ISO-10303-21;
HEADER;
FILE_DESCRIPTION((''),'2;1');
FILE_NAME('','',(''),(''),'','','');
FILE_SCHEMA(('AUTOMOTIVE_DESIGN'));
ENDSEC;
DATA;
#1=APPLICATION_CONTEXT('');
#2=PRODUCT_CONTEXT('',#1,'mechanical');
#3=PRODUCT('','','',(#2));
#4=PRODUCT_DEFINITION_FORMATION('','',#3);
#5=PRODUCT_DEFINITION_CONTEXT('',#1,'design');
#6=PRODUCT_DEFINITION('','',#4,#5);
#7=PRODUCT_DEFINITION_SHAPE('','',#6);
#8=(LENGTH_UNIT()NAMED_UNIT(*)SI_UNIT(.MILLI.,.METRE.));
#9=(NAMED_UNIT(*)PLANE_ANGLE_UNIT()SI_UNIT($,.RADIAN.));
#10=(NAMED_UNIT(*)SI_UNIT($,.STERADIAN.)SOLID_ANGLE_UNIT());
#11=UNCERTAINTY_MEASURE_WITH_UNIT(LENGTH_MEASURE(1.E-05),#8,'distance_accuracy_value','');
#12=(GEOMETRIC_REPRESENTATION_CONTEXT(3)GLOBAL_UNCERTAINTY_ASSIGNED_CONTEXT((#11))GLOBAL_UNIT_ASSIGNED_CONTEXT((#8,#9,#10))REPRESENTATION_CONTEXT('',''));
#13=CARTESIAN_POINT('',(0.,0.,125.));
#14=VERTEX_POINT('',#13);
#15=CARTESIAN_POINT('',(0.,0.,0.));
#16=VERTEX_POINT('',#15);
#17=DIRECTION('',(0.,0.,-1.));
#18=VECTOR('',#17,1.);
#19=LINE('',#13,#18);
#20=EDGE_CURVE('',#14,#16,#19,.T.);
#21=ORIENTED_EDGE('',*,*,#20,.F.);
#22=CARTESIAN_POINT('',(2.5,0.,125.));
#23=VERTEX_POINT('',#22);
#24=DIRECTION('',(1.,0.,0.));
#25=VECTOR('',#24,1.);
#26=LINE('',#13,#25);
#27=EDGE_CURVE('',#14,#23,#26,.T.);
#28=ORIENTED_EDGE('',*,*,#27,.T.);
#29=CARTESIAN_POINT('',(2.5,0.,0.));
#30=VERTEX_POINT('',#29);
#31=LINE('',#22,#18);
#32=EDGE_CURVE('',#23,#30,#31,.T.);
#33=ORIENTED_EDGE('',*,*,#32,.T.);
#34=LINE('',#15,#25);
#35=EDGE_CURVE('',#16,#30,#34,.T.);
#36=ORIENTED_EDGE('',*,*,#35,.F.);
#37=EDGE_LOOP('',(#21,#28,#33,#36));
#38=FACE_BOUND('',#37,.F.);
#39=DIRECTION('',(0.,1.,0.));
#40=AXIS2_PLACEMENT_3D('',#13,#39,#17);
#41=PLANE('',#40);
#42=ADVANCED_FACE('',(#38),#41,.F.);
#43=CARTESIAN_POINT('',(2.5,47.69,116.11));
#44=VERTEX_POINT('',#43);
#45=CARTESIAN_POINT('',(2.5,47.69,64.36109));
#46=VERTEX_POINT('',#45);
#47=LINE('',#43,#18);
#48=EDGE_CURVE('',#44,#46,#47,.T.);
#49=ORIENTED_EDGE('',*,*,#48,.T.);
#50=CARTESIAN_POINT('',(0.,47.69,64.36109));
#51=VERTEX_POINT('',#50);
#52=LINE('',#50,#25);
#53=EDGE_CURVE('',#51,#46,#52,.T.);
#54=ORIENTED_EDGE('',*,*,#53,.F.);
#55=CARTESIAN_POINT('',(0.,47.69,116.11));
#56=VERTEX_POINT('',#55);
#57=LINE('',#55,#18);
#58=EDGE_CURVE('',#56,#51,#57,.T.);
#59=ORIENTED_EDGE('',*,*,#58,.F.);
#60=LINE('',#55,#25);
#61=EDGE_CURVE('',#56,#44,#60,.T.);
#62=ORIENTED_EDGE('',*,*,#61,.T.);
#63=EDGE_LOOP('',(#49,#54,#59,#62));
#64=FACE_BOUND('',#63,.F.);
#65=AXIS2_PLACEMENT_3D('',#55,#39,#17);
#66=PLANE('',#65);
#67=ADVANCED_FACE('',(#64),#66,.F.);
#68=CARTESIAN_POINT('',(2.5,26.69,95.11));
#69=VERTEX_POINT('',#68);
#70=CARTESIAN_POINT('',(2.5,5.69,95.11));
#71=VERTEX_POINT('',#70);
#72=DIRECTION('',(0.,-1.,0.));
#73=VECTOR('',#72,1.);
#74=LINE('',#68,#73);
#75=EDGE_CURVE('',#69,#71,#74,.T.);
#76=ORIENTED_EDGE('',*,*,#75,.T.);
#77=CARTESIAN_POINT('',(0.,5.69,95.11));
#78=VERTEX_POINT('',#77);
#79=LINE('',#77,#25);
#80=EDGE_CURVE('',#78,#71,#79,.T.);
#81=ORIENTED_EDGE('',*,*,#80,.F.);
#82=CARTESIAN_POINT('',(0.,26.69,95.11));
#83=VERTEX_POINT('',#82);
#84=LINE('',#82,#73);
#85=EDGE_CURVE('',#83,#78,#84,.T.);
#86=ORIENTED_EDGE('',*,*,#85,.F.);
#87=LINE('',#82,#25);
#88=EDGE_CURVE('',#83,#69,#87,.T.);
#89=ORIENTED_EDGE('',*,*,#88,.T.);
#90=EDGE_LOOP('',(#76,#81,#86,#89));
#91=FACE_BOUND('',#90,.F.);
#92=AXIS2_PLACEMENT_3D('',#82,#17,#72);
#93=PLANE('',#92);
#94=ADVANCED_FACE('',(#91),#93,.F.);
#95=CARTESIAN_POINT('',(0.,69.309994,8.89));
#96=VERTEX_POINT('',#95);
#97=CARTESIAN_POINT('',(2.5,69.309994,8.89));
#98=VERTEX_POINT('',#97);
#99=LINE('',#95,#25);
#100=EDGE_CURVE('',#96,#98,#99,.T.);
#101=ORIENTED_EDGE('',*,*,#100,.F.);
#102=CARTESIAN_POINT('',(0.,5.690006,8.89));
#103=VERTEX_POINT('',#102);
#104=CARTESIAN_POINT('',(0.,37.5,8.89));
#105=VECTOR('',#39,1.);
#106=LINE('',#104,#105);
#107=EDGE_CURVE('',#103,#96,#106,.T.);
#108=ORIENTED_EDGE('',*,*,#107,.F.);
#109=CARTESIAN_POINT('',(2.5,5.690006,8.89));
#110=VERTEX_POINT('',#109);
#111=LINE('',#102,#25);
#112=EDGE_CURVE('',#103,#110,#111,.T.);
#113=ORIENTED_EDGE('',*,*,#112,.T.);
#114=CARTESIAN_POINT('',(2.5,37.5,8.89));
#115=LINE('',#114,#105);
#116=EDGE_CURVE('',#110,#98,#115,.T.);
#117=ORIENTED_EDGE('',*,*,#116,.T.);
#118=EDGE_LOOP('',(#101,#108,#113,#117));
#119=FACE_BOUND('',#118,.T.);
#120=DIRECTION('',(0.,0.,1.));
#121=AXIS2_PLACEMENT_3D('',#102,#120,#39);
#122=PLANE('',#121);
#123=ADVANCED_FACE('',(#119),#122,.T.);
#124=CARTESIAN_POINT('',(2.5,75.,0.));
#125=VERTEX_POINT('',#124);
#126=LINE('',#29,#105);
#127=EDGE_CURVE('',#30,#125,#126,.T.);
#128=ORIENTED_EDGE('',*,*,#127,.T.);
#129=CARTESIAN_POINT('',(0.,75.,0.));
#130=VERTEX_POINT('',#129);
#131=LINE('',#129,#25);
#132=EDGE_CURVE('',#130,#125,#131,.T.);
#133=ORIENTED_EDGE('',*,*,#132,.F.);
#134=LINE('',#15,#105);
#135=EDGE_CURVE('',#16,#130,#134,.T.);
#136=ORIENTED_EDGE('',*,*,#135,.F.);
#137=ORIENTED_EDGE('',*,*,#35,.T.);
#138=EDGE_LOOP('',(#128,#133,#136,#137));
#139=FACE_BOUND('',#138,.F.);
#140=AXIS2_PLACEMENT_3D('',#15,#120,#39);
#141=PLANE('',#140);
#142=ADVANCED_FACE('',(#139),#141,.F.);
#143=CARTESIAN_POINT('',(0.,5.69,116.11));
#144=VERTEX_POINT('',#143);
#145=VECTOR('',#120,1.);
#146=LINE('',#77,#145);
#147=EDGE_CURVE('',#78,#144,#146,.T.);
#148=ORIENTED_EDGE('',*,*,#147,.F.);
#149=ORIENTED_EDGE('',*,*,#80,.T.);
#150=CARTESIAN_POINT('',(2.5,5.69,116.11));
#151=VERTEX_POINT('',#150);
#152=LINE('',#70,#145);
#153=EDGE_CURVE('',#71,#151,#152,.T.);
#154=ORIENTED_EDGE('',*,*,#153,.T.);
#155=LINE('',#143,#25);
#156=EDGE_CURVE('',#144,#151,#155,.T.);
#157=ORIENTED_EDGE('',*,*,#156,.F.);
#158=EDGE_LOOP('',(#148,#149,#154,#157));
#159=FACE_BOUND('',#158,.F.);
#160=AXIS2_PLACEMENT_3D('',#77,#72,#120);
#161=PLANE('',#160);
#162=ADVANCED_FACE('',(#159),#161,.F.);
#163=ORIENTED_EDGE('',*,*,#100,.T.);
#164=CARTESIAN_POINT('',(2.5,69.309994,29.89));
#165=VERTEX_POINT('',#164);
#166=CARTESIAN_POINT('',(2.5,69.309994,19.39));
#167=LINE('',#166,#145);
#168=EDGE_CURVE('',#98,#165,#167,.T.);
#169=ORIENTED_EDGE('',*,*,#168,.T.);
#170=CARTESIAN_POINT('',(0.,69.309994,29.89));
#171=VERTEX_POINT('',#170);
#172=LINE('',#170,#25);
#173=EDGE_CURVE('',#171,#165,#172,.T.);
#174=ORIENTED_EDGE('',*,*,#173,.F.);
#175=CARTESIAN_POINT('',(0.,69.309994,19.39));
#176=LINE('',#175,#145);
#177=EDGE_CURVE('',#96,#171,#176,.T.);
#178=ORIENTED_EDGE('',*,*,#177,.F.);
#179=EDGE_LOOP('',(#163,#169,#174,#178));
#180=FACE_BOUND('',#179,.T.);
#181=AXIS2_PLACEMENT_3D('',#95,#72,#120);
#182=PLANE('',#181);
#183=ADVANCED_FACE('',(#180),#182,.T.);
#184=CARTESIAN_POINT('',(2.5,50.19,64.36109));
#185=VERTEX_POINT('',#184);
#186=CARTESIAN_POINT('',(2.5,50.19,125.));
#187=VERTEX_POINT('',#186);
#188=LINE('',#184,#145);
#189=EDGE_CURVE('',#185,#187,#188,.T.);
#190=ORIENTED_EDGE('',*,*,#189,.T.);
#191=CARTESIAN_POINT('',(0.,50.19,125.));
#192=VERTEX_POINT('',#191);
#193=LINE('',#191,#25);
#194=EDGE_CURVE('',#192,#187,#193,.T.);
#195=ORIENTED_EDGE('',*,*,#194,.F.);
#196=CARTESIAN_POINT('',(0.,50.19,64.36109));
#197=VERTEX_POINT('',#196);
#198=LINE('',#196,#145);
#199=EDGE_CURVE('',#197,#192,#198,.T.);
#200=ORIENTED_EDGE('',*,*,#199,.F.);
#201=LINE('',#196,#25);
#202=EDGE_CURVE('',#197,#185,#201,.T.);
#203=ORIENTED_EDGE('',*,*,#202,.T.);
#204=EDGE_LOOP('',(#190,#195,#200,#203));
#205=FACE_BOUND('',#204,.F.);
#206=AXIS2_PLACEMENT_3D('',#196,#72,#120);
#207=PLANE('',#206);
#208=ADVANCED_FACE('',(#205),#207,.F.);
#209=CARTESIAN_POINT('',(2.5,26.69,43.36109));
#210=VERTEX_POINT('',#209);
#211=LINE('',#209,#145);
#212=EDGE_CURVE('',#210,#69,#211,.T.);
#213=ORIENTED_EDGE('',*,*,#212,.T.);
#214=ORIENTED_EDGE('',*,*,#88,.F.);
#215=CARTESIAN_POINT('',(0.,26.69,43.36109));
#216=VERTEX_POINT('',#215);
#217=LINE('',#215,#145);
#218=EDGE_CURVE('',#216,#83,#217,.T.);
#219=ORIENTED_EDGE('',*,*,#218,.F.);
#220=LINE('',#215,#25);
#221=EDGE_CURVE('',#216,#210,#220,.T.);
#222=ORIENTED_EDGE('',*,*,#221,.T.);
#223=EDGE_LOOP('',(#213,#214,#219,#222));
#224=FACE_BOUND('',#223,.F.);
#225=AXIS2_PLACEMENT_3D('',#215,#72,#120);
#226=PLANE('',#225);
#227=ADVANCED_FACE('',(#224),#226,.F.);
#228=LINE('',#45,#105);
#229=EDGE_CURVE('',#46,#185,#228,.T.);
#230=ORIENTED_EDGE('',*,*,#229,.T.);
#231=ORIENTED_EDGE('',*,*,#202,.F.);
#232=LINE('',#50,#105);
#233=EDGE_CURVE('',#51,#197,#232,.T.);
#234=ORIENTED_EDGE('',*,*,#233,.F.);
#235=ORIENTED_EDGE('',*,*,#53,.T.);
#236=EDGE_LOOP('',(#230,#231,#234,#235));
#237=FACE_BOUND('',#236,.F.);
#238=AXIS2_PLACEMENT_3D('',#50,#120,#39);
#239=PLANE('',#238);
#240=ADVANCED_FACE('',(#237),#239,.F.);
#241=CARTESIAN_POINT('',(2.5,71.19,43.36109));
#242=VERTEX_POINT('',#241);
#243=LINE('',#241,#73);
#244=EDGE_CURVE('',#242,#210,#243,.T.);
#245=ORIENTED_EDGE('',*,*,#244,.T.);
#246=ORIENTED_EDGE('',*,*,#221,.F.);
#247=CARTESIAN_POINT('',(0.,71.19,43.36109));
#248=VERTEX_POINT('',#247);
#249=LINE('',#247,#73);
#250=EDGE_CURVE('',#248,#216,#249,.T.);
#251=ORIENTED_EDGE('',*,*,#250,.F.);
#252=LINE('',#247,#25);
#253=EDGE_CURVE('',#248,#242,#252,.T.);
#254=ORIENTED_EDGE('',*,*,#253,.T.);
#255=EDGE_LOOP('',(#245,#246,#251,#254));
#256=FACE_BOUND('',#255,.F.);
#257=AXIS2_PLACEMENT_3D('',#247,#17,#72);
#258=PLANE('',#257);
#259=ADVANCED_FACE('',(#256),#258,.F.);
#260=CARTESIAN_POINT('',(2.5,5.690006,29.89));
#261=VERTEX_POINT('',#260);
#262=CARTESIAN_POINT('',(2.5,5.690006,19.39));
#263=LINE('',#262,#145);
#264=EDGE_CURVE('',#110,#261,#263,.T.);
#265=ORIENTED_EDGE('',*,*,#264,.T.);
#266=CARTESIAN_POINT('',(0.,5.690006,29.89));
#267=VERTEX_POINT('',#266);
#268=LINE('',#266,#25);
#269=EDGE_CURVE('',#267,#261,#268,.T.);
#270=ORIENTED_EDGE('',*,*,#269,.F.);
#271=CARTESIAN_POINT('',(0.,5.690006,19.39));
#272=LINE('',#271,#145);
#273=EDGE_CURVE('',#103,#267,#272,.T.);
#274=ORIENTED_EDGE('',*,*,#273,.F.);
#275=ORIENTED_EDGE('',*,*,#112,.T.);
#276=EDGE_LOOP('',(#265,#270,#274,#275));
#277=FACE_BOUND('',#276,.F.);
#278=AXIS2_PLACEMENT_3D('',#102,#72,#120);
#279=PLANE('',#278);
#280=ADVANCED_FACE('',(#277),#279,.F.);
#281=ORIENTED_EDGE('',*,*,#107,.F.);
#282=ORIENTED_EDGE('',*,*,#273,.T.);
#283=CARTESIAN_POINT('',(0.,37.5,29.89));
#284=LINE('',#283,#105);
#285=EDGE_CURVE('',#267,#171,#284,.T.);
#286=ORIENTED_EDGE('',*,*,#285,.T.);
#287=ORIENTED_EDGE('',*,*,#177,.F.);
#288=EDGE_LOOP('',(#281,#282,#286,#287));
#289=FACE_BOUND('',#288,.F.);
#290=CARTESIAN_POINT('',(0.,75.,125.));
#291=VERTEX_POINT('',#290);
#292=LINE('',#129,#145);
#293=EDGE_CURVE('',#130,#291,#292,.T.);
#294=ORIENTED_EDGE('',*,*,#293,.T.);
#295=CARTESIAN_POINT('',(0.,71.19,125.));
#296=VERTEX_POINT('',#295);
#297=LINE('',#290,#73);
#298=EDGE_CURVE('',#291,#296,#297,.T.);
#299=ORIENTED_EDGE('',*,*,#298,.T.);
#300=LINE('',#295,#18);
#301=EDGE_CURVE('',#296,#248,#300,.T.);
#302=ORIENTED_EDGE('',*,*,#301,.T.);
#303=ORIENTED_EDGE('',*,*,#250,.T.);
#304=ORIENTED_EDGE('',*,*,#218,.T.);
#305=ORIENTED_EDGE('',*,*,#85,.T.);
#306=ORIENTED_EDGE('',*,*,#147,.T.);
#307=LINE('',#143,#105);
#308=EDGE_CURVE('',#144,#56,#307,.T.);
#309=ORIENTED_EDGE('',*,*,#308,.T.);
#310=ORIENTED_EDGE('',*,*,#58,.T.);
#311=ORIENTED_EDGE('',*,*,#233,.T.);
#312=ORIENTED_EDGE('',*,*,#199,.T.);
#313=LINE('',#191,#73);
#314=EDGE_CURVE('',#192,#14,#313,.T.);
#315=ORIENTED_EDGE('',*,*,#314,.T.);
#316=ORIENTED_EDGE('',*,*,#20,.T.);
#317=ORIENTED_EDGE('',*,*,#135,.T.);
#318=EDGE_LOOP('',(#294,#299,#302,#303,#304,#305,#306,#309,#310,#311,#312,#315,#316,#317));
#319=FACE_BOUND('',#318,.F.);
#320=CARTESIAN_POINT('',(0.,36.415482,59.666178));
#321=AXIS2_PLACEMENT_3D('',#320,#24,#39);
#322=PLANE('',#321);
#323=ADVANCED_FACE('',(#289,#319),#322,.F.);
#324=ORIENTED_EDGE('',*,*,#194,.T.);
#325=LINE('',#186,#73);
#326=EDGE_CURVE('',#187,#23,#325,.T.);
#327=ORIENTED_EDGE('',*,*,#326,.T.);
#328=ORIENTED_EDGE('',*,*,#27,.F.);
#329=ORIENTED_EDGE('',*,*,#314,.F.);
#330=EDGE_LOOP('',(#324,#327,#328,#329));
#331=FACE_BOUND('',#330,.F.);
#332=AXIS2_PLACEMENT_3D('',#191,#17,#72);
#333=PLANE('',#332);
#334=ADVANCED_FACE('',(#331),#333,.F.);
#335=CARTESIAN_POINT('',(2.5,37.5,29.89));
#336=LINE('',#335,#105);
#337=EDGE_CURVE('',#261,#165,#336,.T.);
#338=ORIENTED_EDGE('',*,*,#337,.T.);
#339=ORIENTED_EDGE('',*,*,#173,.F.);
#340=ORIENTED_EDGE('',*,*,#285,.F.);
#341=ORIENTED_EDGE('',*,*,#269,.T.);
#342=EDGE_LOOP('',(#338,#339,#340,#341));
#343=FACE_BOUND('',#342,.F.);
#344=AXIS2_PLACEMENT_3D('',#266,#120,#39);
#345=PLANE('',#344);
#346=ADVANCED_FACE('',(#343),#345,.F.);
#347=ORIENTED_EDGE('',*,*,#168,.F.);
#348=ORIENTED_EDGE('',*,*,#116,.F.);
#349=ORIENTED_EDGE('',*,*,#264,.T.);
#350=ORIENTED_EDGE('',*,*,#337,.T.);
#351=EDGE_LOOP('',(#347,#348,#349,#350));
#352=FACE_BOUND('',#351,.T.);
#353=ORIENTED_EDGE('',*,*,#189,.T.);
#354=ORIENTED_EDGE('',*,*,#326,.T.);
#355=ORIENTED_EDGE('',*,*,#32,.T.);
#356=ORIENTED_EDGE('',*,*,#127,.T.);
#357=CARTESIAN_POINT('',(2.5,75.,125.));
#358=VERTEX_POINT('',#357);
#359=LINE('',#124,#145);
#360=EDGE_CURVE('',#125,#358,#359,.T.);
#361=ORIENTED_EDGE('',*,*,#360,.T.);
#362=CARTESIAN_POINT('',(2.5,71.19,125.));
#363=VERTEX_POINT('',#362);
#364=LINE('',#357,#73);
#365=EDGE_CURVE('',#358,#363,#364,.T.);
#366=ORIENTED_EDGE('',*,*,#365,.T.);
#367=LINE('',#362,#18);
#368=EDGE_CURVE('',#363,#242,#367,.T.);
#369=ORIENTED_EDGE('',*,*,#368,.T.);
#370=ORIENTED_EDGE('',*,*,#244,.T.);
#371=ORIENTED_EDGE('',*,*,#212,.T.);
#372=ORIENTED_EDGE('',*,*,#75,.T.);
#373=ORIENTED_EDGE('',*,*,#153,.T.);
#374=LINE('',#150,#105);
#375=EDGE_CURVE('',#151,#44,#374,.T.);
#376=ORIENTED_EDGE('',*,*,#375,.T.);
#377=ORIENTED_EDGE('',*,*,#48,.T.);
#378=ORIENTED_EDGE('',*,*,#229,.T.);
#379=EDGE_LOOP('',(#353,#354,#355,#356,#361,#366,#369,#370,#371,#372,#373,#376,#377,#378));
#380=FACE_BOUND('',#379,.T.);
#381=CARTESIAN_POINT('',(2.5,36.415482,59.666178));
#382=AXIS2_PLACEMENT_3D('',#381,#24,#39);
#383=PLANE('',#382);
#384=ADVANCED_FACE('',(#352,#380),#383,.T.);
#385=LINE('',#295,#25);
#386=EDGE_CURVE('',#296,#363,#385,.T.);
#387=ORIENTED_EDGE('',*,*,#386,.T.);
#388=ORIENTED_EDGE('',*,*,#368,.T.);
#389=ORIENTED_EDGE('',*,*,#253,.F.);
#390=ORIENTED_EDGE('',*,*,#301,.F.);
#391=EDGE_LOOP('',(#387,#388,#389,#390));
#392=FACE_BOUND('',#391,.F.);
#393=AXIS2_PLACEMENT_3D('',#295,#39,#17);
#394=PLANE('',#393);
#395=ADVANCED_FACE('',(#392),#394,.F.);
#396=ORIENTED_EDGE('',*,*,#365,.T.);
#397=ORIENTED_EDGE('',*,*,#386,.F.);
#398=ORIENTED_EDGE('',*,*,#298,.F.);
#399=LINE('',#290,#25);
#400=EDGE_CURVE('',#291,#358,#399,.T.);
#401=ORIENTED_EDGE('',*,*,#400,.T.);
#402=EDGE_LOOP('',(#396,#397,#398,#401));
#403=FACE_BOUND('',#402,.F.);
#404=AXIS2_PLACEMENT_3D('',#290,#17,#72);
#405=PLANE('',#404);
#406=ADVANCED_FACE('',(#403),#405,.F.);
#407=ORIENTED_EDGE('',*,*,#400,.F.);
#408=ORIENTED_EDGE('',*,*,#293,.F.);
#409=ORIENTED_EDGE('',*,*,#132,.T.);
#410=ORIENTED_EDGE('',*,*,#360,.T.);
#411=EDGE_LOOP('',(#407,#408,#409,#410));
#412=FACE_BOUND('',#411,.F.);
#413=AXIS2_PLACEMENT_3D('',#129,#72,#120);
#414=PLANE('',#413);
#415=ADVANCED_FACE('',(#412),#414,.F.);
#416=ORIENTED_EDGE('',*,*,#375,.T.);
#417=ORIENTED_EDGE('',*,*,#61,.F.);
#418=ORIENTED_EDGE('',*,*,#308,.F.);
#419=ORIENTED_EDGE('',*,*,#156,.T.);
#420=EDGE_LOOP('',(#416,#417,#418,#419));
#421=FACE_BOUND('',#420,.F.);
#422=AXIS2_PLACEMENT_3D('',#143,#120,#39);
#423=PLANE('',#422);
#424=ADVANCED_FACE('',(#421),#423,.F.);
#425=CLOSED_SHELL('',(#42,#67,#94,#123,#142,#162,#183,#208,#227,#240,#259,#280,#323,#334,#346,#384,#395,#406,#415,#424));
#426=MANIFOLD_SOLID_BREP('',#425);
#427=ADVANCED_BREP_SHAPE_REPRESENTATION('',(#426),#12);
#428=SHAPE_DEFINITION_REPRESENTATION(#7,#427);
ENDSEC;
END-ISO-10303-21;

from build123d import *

# Parameters (mm, degrees)
F0_W     = 63.619988
F0_H     = 21
F1_DEPTH = 2.5


with BuildPart() as f1:
    # F0 (on Right) → F1 (new body)
    with BuildSketch(Plane.YZ):
        Polygon((0, 125), (0, 0), (75, 0), (75, 125), (71.19, 125), (71.19, 43.36109), (71.19, 3.81), (3.81, 3.81), (3.81, 121.19), (44.505585, 121.19), (47.69, 121.19), (50.19, 121.19), (50.19, 125), (44.505585, 125), align=None)
        Polygon((71.19, 3.81), (71.19, 43.36109), (26.69, 43.36109), (26.69, 95.11), (5.69, 95.11), (5.69, 116.11), (47.69, 116.11), (47.69, 121.19), (44.505585, 121.19), (3.81, 121.19), (3.81, 3.81), align=None)
        with Locations((37.5, 19.39)):
            Rectangle(F0_W, F0_H, mode=Mode.SUBTRACT)
        Polygon((50.19, 64.36109), (50.19, 121.19), (47.69, 121.19), (47.69, 116.11), (47.69, 64.36109), align=None)
    extrude(amount=F1_DEPTH)


solid = f1.part
